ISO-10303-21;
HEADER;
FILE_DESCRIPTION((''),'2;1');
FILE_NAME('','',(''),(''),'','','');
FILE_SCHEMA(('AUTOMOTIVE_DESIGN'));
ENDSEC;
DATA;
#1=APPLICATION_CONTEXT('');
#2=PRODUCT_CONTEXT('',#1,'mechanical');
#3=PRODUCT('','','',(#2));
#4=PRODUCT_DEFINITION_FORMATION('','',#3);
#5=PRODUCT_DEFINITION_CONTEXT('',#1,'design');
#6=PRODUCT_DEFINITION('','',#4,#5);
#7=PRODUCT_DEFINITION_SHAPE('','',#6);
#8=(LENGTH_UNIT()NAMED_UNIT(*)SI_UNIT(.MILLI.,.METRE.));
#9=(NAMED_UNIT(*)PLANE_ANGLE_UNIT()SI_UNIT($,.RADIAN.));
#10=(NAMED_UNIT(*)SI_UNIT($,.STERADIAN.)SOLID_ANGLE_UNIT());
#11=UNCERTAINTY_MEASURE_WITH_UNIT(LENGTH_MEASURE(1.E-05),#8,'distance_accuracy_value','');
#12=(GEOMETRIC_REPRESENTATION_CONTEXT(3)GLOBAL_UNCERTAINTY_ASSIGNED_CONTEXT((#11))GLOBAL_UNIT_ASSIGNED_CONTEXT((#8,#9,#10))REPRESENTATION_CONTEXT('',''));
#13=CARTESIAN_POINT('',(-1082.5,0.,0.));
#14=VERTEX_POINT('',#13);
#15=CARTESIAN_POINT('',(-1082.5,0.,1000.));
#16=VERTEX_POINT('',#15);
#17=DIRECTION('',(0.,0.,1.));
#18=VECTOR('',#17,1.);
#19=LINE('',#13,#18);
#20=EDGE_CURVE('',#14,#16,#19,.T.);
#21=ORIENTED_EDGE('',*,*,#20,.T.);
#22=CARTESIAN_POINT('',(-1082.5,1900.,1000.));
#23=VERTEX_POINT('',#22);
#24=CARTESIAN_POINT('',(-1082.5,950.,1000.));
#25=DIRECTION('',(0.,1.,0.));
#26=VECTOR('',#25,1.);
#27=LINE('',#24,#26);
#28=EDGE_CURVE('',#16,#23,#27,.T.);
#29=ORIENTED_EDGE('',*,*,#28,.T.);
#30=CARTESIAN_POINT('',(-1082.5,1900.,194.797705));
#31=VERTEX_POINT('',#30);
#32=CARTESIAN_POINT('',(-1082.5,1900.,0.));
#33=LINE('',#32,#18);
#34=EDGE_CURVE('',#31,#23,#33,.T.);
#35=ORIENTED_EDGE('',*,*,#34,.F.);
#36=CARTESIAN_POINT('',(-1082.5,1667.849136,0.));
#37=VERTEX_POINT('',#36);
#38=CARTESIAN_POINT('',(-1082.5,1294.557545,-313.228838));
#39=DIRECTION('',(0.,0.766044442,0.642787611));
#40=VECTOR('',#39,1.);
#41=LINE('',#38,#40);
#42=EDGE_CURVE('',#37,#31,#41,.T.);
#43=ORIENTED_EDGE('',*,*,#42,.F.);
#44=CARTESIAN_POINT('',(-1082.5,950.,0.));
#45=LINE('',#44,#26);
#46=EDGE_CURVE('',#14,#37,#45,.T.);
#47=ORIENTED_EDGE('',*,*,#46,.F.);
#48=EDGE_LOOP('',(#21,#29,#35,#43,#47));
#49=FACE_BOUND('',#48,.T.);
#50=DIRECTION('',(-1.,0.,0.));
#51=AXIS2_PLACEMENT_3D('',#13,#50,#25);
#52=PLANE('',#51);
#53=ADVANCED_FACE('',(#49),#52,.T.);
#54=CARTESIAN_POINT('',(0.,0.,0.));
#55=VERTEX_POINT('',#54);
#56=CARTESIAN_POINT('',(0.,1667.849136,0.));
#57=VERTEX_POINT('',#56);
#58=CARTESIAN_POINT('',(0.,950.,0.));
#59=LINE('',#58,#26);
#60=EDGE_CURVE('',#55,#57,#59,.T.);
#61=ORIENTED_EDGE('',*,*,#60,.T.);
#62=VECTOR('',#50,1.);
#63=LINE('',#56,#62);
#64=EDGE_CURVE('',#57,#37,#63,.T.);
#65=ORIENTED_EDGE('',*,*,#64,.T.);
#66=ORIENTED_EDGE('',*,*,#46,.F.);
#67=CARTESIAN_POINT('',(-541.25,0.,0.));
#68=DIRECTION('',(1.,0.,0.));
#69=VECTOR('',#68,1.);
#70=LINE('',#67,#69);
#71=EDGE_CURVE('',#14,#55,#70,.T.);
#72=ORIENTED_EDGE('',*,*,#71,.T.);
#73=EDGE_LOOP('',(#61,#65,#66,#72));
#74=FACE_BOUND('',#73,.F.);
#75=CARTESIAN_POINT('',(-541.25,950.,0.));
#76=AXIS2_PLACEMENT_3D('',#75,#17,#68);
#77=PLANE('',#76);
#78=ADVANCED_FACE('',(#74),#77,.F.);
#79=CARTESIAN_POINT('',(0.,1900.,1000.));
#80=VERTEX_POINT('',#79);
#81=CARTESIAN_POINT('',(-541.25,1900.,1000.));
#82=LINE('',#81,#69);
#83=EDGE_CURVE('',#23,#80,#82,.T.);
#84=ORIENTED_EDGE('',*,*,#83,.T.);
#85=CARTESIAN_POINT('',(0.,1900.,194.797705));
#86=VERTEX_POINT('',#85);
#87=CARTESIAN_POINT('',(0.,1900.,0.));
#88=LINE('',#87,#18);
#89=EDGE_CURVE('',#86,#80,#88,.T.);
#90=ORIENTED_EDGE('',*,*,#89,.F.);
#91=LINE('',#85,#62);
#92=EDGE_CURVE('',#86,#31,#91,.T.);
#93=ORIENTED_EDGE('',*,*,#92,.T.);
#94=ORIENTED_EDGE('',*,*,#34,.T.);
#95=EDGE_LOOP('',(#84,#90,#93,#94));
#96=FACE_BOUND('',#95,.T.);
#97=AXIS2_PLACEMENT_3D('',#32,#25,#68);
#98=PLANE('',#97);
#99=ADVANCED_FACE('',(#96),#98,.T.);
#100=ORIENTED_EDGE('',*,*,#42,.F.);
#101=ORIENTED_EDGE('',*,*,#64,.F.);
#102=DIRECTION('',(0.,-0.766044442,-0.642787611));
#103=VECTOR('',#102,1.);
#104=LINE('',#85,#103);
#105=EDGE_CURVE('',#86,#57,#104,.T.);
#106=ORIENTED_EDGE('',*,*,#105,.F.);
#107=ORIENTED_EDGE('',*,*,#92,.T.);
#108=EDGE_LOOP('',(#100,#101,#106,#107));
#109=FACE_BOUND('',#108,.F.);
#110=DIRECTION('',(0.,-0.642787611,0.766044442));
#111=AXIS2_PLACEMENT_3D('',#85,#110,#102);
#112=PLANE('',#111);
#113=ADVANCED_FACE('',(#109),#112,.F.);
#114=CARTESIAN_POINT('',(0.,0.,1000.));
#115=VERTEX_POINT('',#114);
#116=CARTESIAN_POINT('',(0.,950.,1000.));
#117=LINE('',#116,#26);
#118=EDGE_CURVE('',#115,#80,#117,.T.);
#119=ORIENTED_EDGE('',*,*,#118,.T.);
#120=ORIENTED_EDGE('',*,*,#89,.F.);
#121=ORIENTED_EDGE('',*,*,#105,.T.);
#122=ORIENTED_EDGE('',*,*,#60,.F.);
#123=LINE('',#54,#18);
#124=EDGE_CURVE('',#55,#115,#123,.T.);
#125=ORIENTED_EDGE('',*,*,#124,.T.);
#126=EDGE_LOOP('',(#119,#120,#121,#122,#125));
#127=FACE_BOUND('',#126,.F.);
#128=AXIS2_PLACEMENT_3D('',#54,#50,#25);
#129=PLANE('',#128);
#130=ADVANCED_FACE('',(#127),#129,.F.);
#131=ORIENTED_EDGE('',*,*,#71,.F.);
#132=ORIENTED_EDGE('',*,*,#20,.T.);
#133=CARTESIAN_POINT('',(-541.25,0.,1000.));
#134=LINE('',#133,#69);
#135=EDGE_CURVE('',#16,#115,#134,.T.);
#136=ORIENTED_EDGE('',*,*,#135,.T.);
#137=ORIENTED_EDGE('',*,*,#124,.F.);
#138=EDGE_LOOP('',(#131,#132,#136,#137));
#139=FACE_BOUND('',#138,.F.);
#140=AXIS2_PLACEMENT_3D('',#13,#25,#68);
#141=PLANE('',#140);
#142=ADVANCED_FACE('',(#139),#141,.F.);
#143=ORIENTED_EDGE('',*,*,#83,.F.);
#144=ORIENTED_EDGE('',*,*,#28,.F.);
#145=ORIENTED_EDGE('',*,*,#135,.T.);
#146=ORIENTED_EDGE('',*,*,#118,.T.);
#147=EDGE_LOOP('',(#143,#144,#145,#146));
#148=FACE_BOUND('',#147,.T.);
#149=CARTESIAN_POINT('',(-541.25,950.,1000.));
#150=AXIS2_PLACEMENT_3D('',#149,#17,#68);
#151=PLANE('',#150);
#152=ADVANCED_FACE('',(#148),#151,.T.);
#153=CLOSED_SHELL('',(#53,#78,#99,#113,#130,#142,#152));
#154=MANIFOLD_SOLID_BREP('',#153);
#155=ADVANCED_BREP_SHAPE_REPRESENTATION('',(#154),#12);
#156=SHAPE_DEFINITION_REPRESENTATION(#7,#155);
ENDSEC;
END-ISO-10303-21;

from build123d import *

# Parameters (mm, degrees)
F0_W     = 1082.5
F0_H     = 1900
F1_DEPTH = 1000
F3_DEPTH = 1082.501


with BuildPart() as f1:
    # F0 (on Top) → F1 (new body)
    with BuildSketch(Plane.XY):
        with Locations((-541.25, 950)):
            Rectangle(F0_W, F0_H)
    extrude(amount=F1_DEPTH)

    # F2 (on face) → F3 (cut, through all)
    with BuildSketch(Plane.YZ):
        Polygon((1667.849136, 0), (1900, 0), (1900, 194.797705), align=None)
    extrude(amount=-F3_DEPTH, mode=Mode.SUBTRACT)


solid = f1.part
